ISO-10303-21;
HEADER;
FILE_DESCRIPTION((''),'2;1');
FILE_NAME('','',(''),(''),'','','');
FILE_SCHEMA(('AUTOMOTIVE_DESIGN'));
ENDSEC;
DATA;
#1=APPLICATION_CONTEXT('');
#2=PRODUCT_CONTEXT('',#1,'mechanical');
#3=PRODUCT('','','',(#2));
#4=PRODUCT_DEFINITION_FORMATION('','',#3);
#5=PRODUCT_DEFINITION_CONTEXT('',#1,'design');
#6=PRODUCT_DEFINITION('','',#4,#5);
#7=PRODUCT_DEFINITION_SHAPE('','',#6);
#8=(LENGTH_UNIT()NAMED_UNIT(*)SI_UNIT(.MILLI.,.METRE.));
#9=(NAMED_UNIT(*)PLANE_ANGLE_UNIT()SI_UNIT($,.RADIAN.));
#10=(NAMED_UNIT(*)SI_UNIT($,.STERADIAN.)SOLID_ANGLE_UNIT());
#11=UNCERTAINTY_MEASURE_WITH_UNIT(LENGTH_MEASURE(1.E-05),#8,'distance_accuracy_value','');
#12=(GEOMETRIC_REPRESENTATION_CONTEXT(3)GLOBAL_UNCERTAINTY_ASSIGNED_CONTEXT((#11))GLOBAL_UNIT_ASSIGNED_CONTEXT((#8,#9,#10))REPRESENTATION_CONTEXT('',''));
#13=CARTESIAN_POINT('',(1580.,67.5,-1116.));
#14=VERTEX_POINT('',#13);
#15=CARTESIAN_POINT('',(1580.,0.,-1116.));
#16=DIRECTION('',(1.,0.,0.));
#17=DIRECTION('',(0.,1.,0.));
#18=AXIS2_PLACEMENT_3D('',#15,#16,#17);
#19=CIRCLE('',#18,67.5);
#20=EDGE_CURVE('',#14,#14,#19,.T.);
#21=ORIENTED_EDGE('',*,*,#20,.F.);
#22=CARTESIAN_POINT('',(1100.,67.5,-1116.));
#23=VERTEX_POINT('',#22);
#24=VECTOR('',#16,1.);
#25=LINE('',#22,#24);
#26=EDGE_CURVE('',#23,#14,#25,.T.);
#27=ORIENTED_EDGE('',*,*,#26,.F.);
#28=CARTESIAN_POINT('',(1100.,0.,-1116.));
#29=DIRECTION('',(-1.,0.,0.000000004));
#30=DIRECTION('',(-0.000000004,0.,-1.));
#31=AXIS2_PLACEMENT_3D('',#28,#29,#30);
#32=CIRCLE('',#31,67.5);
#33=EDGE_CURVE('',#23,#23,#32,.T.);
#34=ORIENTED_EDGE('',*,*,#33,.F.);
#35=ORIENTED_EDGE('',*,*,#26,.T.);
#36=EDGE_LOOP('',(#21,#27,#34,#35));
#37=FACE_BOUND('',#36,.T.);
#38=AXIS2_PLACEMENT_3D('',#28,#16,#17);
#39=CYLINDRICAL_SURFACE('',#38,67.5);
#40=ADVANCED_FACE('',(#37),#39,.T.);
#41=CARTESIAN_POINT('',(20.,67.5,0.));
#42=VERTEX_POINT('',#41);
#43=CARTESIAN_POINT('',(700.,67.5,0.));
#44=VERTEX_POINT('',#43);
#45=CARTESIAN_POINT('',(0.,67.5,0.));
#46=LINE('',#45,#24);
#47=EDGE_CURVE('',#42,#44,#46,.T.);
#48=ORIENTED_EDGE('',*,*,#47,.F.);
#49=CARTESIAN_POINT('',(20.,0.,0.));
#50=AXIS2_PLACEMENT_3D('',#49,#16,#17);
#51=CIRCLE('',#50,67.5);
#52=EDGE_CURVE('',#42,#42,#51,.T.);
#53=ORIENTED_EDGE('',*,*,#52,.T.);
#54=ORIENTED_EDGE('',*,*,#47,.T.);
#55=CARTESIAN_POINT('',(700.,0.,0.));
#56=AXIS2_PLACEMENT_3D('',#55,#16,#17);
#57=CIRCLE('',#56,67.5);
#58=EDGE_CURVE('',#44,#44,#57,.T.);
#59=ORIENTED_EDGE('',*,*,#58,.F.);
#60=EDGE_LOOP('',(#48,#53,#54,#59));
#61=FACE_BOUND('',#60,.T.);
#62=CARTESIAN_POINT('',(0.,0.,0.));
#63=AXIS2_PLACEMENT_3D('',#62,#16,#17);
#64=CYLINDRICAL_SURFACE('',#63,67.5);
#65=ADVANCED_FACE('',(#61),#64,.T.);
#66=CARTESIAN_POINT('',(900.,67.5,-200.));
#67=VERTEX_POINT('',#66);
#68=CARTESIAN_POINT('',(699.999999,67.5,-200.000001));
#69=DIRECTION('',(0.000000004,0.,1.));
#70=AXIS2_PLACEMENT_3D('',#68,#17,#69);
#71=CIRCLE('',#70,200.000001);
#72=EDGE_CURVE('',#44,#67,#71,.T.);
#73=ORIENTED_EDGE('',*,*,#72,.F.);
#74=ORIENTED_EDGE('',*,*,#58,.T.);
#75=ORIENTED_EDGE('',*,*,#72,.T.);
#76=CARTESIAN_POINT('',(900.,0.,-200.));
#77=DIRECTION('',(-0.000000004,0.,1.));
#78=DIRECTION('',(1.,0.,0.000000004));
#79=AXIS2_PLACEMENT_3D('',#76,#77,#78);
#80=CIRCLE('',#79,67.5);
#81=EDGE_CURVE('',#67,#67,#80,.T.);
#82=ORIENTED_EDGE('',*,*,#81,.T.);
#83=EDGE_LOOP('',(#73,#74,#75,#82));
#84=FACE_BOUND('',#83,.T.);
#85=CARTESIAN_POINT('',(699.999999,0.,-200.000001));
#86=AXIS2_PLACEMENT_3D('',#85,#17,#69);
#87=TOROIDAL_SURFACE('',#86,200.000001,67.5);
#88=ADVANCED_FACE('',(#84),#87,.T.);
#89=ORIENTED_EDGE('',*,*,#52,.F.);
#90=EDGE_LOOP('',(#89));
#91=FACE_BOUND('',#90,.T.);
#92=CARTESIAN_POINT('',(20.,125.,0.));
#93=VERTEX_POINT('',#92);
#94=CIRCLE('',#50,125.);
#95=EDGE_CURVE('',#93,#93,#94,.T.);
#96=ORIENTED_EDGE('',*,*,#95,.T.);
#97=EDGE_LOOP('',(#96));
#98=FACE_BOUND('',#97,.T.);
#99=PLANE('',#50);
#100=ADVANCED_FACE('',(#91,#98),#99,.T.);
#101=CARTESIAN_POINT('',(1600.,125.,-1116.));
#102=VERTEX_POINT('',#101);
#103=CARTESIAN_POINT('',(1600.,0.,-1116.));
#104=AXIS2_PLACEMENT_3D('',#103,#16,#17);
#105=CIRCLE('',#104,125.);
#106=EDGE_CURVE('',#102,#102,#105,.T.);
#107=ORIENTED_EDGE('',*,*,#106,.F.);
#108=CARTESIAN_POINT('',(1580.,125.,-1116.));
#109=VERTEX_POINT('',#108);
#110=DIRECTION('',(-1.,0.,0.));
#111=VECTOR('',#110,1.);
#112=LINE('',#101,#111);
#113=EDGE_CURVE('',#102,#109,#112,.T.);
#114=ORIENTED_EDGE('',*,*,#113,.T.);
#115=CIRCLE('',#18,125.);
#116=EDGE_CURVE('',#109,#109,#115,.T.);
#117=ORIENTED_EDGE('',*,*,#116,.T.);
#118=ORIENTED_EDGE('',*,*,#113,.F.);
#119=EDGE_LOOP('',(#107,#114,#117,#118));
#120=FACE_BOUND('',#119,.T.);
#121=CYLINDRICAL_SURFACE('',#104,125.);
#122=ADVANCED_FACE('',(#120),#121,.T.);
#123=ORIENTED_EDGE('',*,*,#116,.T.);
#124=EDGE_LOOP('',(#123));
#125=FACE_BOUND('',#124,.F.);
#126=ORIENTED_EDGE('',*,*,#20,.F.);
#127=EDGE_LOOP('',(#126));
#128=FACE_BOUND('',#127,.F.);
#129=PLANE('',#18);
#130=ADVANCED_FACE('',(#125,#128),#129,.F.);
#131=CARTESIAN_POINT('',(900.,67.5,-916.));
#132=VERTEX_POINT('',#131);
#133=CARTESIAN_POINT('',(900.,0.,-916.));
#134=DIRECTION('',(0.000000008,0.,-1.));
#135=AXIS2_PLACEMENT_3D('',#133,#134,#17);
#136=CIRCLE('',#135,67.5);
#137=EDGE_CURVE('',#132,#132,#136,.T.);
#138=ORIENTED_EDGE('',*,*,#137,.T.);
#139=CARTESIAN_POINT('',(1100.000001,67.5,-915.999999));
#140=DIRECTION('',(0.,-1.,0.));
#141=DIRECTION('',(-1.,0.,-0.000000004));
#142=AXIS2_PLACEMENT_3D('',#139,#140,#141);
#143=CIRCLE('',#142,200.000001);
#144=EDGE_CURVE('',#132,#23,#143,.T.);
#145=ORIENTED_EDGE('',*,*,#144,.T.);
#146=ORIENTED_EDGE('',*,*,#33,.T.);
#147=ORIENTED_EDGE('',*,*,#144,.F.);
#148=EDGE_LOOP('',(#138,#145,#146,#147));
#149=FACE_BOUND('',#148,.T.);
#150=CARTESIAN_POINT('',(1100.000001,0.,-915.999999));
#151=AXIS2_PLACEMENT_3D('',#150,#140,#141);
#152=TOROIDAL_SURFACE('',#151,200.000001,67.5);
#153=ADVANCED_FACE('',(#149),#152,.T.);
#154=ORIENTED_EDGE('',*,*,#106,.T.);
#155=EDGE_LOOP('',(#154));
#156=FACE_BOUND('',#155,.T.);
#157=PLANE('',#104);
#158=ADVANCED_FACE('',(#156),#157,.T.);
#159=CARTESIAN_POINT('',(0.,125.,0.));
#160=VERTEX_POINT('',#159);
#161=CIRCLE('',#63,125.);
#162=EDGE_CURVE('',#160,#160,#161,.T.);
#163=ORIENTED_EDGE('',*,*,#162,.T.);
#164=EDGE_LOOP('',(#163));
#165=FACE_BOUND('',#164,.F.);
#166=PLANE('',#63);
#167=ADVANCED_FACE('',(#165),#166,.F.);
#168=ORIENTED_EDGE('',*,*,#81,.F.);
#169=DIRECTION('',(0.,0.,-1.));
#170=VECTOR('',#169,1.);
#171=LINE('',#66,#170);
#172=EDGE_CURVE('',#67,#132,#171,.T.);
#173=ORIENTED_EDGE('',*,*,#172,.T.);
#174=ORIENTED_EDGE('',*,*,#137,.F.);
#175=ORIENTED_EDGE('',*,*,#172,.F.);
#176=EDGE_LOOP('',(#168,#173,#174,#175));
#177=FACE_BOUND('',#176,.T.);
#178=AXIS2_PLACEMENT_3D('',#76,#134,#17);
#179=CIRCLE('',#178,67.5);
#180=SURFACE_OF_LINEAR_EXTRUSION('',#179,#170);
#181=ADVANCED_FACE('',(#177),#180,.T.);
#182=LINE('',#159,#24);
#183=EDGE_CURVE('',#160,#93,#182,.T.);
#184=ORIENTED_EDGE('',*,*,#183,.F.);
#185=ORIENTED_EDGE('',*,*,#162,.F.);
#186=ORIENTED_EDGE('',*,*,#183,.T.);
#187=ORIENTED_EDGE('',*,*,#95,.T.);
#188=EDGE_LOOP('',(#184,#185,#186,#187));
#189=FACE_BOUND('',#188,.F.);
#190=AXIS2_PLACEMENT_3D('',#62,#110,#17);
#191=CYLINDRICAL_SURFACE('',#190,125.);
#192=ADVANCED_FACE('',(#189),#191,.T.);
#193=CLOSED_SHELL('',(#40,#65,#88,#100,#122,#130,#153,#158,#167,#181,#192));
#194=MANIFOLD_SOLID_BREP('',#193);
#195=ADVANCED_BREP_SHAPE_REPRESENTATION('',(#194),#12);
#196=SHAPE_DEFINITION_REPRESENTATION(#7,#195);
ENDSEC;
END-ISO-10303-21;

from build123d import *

# Parameters (mm, degrees)
F1_R     = 67.5
F1_R_2   = 125
F3_DEPTH = 20
F4_R     = 125
F5_DEPTH = 20


with BuildPart() as f2:
    # F2: sweep along a path in F0
    with BuildLine(Plane.XZ) as f2_path:
        Line((0, 0), (700, 0))
        ThreePointArc((700, 0), (841.421356, -58.578644), (900, -200))
        Line((900, -200), (900, -916))
        ThreePointArc((900, -916), (958.578644, -1057.421356), (1100, -1116))
        Line((1100, -1116), (1600, -1116))
    # F1 (on Right) → F2 (sweep)
    with BuildSketch(Plane.YZ):
        Circle(F1_R)
    sweep(path=f2_path.line)

    # F1 (on Right) → F3 (join)
    with BuildSketch(Plane.YZ):
        Circle(F1_R_2)
        Circle(F1_R, mode=Mode.SUBTRACT)
    extrude(amount=F3_DEPTH)

    # F4 (on face) → F5 (join)
    with BuildSketch(Plane.YZ.offset(1600)):
        with Locations((0, -1116)):
            Circle(F4_R)
    extrude(amount=-F5_DEPTH)


solid = f2.part
